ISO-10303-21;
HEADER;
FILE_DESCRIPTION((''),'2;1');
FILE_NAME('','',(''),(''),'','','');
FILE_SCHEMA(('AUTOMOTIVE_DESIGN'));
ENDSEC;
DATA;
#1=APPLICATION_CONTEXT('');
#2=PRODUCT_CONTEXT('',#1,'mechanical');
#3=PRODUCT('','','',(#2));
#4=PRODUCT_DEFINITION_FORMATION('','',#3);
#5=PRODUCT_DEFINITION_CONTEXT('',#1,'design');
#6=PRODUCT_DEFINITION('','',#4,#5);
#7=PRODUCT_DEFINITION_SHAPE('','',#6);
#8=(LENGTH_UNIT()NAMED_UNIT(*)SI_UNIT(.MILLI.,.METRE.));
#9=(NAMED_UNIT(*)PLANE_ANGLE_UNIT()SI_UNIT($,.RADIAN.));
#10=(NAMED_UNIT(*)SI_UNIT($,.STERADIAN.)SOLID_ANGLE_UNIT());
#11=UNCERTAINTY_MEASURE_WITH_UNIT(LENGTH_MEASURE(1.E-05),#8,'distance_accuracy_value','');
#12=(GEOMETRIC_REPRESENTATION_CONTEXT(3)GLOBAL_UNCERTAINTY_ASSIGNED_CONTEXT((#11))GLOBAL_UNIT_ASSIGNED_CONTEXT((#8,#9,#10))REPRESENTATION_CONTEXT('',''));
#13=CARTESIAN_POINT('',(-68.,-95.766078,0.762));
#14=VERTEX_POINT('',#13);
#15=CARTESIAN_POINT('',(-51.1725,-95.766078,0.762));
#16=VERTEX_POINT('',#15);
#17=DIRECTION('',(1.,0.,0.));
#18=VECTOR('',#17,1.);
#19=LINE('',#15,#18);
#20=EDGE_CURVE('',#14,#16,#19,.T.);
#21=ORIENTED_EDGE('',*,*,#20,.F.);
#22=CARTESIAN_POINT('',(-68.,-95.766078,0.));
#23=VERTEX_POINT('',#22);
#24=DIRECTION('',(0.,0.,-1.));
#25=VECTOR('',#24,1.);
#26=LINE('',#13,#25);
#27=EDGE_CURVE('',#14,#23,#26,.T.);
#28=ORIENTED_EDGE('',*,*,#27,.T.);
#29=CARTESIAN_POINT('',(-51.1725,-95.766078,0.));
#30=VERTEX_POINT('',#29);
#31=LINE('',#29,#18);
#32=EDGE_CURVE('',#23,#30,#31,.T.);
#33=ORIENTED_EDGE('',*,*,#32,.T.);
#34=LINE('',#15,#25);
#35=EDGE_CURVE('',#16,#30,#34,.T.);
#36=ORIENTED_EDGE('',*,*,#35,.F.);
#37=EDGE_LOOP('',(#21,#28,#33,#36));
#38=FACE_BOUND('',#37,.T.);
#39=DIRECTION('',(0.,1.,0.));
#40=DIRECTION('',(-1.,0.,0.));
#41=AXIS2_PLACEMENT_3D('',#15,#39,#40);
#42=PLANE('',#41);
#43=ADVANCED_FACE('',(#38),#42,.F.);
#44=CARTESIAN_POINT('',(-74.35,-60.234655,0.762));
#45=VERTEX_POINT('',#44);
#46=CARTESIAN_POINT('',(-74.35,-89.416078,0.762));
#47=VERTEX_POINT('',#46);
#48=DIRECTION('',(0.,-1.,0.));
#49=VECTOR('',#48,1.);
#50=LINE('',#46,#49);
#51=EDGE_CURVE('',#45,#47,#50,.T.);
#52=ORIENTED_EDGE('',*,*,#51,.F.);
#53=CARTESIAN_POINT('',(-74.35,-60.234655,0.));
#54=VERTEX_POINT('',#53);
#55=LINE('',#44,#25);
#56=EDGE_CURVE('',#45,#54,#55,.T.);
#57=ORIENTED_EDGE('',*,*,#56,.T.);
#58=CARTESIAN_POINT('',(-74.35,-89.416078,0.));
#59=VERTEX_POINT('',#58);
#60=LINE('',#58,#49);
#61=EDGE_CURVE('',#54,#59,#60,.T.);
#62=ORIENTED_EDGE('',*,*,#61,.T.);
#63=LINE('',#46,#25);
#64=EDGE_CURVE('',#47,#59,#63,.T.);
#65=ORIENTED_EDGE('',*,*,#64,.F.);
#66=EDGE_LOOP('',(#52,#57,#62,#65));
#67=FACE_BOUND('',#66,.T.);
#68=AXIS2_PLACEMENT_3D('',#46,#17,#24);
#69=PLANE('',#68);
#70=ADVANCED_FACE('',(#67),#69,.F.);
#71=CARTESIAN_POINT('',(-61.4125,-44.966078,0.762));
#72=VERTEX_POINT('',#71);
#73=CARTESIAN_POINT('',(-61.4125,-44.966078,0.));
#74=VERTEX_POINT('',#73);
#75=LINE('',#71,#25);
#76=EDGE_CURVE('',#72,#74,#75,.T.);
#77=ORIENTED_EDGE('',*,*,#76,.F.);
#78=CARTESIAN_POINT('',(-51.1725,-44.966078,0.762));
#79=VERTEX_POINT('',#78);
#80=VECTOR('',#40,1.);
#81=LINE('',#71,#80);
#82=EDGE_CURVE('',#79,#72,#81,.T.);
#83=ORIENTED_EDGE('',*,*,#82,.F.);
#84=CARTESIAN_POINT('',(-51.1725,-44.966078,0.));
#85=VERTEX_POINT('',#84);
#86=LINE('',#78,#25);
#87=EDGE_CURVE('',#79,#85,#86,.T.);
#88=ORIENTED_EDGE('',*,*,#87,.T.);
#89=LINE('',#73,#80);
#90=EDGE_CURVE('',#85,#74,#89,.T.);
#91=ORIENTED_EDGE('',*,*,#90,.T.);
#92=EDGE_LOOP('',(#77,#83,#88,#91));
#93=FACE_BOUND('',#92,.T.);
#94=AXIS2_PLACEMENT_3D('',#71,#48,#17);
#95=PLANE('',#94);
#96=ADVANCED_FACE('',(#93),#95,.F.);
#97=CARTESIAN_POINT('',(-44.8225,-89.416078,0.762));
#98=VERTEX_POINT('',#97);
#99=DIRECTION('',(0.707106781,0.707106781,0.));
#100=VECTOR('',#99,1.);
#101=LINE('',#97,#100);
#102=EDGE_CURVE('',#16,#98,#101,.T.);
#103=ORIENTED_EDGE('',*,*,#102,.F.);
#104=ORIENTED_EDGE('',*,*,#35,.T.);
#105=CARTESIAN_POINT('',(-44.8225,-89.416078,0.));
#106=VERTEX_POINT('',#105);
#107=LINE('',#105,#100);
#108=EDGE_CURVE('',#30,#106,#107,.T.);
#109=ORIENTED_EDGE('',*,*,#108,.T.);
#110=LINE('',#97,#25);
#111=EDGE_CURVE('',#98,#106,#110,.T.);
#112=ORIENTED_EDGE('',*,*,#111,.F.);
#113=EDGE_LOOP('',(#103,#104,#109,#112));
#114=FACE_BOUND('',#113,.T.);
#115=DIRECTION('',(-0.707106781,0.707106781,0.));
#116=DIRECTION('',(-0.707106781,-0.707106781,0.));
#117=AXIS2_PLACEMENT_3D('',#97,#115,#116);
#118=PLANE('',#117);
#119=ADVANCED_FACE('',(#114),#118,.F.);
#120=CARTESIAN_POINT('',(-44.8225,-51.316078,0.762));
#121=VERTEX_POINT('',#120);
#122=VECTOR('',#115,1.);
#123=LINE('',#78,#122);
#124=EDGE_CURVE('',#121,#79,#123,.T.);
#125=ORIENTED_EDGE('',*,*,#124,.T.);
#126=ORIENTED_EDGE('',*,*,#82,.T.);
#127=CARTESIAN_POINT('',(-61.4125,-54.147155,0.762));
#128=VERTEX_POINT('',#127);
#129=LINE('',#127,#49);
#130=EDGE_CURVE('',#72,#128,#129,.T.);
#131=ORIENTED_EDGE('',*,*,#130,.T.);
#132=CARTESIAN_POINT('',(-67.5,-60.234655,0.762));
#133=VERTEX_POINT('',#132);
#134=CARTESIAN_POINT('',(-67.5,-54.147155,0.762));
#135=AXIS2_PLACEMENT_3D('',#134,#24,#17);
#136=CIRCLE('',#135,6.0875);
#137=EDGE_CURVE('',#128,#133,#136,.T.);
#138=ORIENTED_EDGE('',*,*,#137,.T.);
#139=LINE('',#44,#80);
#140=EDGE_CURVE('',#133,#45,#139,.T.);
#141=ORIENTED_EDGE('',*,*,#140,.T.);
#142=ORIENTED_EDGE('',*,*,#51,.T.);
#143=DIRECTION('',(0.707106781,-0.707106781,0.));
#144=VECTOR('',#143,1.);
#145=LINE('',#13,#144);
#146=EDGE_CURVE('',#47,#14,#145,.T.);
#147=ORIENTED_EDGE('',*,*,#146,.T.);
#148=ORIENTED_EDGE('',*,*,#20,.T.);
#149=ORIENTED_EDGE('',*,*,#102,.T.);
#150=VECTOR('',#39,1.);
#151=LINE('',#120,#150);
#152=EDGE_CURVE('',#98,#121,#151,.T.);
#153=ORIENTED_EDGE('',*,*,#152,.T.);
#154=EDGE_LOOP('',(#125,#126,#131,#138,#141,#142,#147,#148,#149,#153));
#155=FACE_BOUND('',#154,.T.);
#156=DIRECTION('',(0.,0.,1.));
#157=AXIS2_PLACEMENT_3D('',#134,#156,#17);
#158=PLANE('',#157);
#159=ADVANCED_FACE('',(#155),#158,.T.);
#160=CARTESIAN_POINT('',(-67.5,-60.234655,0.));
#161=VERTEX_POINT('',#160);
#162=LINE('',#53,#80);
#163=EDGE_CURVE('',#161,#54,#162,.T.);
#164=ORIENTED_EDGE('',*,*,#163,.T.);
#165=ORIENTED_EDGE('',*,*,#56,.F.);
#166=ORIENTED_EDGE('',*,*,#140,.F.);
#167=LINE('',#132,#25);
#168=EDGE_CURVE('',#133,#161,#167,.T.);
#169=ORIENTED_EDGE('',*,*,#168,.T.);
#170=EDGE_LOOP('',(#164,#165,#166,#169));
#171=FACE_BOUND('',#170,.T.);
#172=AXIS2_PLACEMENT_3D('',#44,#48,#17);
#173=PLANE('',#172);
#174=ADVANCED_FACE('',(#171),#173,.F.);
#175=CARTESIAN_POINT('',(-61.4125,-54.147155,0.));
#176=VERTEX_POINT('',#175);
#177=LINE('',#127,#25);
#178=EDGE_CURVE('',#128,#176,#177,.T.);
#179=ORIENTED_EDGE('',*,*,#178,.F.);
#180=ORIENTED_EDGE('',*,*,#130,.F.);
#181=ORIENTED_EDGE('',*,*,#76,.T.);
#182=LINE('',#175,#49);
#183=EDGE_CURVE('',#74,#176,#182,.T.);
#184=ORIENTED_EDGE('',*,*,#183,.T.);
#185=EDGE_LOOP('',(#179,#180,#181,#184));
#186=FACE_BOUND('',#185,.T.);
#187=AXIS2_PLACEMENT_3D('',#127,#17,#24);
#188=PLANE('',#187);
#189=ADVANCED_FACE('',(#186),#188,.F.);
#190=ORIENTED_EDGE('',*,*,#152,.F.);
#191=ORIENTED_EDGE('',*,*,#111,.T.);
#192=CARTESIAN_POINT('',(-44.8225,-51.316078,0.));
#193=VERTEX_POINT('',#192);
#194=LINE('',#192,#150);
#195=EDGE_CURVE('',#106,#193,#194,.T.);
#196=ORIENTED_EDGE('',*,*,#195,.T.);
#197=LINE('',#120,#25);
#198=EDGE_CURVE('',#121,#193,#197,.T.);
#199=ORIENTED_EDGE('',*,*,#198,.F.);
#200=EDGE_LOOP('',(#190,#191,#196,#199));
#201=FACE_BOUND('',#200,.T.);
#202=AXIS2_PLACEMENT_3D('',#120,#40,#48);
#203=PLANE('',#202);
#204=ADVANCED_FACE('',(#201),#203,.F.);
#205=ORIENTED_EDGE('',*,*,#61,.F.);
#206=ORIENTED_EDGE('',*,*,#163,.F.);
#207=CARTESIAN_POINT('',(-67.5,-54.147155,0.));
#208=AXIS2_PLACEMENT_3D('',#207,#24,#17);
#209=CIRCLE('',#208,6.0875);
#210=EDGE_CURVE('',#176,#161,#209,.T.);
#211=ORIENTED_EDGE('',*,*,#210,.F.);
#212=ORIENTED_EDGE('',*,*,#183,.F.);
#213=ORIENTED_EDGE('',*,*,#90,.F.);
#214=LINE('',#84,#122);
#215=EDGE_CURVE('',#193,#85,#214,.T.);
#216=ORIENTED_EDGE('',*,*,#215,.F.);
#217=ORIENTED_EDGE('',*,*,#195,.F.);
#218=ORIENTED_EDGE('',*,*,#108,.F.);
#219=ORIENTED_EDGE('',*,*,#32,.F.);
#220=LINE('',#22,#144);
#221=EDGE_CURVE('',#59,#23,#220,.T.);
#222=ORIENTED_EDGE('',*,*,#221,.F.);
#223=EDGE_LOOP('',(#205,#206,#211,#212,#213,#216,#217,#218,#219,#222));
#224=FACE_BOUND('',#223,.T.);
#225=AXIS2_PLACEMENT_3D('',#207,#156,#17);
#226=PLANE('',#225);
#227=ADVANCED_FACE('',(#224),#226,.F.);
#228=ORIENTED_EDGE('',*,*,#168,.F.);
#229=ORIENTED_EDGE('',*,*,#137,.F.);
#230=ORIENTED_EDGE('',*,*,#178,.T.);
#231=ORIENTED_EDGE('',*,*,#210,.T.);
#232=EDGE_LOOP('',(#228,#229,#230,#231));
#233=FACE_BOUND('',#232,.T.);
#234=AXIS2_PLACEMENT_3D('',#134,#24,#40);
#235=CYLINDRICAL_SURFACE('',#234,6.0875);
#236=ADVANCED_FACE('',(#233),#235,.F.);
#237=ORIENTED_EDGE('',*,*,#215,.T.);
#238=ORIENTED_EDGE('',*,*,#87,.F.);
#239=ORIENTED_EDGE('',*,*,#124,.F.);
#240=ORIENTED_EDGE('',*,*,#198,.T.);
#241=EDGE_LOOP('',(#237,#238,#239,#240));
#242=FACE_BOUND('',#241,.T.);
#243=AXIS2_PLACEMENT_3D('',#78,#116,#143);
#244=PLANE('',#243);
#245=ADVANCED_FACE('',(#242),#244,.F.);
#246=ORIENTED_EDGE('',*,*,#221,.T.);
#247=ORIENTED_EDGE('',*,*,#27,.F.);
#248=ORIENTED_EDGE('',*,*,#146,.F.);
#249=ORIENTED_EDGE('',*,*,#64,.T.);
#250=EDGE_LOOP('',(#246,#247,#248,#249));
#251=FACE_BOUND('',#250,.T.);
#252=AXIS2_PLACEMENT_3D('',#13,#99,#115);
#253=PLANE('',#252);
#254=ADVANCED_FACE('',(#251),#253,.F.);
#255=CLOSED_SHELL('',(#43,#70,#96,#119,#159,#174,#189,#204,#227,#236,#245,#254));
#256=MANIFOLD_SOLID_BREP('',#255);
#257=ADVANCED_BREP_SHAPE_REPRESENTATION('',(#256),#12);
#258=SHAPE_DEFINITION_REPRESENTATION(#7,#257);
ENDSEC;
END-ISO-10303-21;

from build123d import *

# Parameters (mm, degrees)
BOSS_EXTRUDE1_DEPTH = 0.762


with BuildPart() as part:
    # Sketch1 → Boss-Extrude1 (new body)
    with BuildSketch(Plane.XY):
        with BuildLine():
            Line((-51.1725, -95.766078244), (-68, -95.766078244))
            Line((-68, -95.766078244), (-74.35, -89.416078244))
            Line((-74.35, -89.416078244), (-74.35, -60.234654728))
            Line((-74.35, -60.234654728), (-67.5, -60.234654728))
            ThreePointArc((-67.5, -60.234654728), (-63.19548747, -58.451667258), (-61.4125, -54.147154728))
            Line((-61.4125, -54.147154728), (-61.4125, -44.966078244))
            Line((-61.4125, -44.966078244), (-51.1725, -44.966078244))
            Line((-51.1725, -44.966078244), (-44.8225, -51.316078244))
            Line((-44.8225, -51.316078244), (-44.8225, -89.416078244))
            Line((-44.8225, -89.416078244), (-51.1725, -95.766078244))
        make_face()
    extrude(amount=BOSS_EXTRUDE1_DEPTH)


solid = part.part
